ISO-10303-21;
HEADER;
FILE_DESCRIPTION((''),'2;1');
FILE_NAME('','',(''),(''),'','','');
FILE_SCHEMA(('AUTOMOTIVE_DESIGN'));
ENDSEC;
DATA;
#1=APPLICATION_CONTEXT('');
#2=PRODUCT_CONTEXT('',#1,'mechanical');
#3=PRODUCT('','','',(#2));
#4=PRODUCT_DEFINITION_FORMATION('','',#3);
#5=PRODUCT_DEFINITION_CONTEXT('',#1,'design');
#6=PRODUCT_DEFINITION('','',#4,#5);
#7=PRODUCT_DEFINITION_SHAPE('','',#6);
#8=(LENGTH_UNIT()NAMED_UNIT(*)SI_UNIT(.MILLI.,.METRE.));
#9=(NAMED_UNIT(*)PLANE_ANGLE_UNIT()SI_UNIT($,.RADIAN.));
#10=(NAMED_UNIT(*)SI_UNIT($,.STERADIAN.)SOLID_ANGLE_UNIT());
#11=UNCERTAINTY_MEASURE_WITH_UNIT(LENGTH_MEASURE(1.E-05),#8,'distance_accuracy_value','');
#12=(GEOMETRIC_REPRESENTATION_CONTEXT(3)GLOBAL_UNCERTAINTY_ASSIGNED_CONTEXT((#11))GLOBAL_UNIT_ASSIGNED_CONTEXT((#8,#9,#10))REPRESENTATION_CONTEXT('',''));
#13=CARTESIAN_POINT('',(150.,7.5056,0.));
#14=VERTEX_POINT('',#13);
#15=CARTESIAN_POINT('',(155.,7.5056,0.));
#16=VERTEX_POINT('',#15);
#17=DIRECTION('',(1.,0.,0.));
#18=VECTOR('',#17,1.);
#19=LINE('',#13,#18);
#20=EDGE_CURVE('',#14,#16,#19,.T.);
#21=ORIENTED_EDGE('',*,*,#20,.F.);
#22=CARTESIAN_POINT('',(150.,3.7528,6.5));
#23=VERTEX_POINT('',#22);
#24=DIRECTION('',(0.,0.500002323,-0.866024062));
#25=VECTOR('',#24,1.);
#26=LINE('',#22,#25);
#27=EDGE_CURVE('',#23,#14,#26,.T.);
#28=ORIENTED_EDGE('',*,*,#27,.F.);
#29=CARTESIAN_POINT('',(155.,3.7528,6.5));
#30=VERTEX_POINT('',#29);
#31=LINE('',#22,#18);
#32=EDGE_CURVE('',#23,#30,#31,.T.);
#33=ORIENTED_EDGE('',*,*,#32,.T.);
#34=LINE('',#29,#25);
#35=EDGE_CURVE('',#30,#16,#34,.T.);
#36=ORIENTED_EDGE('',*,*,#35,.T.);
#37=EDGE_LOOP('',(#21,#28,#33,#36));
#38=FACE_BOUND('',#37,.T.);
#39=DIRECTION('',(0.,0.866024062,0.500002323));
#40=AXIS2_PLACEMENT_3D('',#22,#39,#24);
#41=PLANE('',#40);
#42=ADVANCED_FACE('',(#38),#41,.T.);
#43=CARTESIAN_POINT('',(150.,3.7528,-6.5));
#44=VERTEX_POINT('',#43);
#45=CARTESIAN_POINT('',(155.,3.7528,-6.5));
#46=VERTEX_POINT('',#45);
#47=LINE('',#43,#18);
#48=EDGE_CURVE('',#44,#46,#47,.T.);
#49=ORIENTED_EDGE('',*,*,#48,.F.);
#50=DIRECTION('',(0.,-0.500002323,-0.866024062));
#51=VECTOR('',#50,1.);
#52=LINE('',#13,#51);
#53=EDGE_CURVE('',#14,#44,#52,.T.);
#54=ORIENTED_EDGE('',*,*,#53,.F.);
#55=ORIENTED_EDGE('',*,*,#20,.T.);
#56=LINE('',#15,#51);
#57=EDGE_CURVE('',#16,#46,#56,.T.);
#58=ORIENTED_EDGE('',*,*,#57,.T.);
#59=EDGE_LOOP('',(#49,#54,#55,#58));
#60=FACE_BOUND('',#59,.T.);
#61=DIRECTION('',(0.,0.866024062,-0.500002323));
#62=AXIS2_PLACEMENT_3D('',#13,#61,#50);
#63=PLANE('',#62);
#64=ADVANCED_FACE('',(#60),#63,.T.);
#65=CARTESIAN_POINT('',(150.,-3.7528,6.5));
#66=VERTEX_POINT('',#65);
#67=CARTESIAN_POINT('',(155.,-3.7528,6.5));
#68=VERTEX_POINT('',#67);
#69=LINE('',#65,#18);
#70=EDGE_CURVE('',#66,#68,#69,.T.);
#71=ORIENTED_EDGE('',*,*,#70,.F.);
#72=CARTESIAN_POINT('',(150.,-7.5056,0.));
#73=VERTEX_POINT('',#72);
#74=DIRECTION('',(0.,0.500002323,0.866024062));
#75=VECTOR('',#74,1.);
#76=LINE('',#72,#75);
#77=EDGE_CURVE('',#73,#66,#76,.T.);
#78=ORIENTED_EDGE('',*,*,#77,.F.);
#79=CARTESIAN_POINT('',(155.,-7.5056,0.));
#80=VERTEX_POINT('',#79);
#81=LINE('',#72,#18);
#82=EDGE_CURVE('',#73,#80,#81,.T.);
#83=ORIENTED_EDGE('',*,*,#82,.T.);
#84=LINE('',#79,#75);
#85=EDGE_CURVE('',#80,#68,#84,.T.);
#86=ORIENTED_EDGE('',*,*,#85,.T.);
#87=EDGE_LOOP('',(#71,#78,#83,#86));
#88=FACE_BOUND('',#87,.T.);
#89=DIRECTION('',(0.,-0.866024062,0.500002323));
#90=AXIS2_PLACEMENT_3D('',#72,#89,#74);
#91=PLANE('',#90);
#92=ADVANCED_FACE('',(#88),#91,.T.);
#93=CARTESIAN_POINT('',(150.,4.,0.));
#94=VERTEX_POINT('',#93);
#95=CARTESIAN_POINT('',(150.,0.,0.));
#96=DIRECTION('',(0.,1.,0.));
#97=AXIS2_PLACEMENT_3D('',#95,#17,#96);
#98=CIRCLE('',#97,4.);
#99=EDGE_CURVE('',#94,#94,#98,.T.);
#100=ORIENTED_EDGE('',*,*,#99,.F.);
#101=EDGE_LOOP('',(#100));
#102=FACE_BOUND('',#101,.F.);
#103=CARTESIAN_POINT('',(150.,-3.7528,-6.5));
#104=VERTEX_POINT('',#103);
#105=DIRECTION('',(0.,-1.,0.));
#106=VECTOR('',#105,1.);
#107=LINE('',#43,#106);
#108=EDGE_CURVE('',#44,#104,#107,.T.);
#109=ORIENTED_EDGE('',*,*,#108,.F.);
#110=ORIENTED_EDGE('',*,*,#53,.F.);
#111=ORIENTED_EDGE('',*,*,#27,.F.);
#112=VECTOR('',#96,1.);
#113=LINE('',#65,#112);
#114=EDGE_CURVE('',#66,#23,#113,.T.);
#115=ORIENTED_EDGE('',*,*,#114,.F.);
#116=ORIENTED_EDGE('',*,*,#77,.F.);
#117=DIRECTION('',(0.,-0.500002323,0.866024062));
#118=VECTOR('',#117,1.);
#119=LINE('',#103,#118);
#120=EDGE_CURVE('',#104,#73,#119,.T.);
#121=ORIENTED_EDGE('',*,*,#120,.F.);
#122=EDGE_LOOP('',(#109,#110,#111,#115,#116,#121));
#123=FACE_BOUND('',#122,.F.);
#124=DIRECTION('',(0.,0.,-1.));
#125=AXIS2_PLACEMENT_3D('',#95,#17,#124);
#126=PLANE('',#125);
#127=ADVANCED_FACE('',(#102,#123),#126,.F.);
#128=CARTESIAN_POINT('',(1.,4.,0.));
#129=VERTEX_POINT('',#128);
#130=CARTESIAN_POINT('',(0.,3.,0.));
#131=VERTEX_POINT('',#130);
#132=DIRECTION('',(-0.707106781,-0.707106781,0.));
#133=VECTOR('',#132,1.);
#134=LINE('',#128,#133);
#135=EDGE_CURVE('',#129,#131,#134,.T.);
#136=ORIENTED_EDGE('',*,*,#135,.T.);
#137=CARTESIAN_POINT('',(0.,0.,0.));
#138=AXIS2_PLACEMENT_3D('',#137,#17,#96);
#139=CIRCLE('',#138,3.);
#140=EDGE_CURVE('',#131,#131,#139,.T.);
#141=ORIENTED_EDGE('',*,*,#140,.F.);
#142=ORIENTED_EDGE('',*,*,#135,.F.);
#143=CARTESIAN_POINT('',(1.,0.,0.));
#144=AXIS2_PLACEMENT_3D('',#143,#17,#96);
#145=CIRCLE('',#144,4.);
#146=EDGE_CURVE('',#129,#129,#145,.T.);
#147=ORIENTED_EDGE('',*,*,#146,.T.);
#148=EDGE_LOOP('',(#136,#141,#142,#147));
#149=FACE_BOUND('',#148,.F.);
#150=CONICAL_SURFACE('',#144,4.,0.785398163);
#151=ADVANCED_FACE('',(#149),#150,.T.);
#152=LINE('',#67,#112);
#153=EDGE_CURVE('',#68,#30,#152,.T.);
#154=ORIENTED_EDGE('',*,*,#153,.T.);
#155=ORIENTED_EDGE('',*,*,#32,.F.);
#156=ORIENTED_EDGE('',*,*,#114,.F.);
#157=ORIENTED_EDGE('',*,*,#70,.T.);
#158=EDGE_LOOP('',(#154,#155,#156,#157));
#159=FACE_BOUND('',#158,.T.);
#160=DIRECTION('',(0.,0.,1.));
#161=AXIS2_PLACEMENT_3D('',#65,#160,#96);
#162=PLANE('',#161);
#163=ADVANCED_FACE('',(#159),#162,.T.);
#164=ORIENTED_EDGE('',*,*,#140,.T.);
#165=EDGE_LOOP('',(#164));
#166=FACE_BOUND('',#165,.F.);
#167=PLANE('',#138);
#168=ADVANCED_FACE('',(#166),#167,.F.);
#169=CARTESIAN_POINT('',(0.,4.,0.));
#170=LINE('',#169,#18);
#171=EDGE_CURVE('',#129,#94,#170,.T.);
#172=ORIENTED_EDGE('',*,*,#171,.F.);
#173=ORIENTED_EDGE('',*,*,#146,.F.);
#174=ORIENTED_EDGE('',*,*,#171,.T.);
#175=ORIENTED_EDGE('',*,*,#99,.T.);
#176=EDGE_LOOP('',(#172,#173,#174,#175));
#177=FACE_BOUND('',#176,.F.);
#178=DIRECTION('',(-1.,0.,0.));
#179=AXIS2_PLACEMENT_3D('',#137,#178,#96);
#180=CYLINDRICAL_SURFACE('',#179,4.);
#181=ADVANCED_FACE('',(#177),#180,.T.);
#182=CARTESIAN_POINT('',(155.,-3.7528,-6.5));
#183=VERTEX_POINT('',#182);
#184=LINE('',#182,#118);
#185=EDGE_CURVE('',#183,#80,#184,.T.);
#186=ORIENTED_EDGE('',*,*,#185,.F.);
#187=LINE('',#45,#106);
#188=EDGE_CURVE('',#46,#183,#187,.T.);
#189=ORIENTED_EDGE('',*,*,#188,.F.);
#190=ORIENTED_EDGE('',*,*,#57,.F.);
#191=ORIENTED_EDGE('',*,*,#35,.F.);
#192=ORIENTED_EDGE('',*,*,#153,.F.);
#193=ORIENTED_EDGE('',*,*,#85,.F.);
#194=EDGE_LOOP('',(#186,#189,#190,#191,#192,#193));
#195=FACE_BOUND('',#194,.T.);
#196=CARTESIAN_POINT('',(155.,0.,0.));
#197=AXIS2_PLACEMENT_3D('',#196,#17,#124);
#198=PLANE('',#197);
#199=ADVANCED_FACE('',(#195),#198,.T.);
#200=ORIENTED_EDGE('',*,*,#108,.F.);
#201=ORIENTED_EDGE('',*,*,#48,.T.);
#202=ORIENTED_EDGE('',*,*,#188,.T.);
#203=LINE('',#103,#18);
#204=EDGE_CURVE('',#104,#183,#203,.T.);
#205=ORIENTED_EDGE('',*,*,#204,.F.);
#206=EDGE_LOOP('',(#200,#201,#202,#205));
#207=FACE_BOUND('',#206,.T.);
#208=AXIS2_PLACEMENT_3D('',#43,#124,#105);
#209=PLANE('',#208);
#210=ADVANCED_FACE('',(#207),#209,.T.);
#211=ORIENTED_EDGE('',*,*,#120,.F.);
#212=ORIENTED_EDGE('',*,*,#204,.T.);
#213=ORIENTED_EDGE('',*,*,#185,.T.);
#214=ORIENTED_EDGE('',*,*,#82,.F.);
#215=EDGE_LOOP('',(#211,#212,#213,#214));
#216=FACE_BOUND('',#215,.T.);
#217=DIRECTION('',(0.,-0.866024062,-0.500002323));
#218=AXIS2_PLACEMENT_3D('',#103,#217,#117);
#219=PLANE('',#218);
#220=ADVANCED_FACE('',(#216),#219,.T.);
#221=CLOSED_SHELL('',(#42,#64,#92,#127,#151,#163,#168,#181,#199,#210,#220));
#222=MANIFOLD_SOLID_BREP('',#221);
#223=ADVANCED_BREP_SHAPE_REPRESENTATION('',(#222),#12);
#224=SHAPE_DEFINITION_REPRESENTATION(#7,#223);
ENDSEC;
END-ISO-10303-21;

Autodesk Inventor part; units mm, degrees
ref_plane "YZ Plane" through (0, 0, 0) normal (1, 0, 0) x (0, 1, 0)
ref_plane "XZ Plane" through (0, 0, 0) normal (0, 1, 0) x (-1, 0, 0)
ref_plane "XY Plane" through (0, 0, 0) normal (0, 0, 1) x (1, 0, 0)
sketch "Sketch1" plane through (0, 0, 0) normal (1, 0, 0) x (0, 1, 0)
  circle A0 centre (0, 0) radius 4
  dimension "d0" = 4
extrude "Extrusion1" add sketch "Sketch1" along normal blind 150
sketch "Sketch2" plane through (150, 0, 0) normal (1, 0, 0) x (0, 0, -1)
  circle A0 centre (0, 0) radius 4 projected
  line L0 (0, 7.5056) -> (6.5, 3.7528)
  line L1 (6.5, 3.7528) -> (6.5, -3.7528)
  line L2 (6.5, -3.7528) -> (0, -7.5056)
  line L3 (0, -7.5056) -> (-6.5, -3.7528)
  line L4 (-6.5, -3.7528) -> (-6.5, 3.7528)
  line L5 (-6.5, 3.7528) -> (0, 7.5056)
  dimension "d5" = 13
  dimension "d8" = 6.5
thread "Thread2" size "M8x1.25" class "6g" standard "ANSI Metric M Profile" full length
extrude "Extrusion2" add sketch "Sketch2" along normal blind 5 contours A0 | L0 L1 L2 L3 L4 L5
chamfer "Chamfer1" distance 1 angle 45 1 edges at (0, -4, 0)
properties part number "M8x150mm"
